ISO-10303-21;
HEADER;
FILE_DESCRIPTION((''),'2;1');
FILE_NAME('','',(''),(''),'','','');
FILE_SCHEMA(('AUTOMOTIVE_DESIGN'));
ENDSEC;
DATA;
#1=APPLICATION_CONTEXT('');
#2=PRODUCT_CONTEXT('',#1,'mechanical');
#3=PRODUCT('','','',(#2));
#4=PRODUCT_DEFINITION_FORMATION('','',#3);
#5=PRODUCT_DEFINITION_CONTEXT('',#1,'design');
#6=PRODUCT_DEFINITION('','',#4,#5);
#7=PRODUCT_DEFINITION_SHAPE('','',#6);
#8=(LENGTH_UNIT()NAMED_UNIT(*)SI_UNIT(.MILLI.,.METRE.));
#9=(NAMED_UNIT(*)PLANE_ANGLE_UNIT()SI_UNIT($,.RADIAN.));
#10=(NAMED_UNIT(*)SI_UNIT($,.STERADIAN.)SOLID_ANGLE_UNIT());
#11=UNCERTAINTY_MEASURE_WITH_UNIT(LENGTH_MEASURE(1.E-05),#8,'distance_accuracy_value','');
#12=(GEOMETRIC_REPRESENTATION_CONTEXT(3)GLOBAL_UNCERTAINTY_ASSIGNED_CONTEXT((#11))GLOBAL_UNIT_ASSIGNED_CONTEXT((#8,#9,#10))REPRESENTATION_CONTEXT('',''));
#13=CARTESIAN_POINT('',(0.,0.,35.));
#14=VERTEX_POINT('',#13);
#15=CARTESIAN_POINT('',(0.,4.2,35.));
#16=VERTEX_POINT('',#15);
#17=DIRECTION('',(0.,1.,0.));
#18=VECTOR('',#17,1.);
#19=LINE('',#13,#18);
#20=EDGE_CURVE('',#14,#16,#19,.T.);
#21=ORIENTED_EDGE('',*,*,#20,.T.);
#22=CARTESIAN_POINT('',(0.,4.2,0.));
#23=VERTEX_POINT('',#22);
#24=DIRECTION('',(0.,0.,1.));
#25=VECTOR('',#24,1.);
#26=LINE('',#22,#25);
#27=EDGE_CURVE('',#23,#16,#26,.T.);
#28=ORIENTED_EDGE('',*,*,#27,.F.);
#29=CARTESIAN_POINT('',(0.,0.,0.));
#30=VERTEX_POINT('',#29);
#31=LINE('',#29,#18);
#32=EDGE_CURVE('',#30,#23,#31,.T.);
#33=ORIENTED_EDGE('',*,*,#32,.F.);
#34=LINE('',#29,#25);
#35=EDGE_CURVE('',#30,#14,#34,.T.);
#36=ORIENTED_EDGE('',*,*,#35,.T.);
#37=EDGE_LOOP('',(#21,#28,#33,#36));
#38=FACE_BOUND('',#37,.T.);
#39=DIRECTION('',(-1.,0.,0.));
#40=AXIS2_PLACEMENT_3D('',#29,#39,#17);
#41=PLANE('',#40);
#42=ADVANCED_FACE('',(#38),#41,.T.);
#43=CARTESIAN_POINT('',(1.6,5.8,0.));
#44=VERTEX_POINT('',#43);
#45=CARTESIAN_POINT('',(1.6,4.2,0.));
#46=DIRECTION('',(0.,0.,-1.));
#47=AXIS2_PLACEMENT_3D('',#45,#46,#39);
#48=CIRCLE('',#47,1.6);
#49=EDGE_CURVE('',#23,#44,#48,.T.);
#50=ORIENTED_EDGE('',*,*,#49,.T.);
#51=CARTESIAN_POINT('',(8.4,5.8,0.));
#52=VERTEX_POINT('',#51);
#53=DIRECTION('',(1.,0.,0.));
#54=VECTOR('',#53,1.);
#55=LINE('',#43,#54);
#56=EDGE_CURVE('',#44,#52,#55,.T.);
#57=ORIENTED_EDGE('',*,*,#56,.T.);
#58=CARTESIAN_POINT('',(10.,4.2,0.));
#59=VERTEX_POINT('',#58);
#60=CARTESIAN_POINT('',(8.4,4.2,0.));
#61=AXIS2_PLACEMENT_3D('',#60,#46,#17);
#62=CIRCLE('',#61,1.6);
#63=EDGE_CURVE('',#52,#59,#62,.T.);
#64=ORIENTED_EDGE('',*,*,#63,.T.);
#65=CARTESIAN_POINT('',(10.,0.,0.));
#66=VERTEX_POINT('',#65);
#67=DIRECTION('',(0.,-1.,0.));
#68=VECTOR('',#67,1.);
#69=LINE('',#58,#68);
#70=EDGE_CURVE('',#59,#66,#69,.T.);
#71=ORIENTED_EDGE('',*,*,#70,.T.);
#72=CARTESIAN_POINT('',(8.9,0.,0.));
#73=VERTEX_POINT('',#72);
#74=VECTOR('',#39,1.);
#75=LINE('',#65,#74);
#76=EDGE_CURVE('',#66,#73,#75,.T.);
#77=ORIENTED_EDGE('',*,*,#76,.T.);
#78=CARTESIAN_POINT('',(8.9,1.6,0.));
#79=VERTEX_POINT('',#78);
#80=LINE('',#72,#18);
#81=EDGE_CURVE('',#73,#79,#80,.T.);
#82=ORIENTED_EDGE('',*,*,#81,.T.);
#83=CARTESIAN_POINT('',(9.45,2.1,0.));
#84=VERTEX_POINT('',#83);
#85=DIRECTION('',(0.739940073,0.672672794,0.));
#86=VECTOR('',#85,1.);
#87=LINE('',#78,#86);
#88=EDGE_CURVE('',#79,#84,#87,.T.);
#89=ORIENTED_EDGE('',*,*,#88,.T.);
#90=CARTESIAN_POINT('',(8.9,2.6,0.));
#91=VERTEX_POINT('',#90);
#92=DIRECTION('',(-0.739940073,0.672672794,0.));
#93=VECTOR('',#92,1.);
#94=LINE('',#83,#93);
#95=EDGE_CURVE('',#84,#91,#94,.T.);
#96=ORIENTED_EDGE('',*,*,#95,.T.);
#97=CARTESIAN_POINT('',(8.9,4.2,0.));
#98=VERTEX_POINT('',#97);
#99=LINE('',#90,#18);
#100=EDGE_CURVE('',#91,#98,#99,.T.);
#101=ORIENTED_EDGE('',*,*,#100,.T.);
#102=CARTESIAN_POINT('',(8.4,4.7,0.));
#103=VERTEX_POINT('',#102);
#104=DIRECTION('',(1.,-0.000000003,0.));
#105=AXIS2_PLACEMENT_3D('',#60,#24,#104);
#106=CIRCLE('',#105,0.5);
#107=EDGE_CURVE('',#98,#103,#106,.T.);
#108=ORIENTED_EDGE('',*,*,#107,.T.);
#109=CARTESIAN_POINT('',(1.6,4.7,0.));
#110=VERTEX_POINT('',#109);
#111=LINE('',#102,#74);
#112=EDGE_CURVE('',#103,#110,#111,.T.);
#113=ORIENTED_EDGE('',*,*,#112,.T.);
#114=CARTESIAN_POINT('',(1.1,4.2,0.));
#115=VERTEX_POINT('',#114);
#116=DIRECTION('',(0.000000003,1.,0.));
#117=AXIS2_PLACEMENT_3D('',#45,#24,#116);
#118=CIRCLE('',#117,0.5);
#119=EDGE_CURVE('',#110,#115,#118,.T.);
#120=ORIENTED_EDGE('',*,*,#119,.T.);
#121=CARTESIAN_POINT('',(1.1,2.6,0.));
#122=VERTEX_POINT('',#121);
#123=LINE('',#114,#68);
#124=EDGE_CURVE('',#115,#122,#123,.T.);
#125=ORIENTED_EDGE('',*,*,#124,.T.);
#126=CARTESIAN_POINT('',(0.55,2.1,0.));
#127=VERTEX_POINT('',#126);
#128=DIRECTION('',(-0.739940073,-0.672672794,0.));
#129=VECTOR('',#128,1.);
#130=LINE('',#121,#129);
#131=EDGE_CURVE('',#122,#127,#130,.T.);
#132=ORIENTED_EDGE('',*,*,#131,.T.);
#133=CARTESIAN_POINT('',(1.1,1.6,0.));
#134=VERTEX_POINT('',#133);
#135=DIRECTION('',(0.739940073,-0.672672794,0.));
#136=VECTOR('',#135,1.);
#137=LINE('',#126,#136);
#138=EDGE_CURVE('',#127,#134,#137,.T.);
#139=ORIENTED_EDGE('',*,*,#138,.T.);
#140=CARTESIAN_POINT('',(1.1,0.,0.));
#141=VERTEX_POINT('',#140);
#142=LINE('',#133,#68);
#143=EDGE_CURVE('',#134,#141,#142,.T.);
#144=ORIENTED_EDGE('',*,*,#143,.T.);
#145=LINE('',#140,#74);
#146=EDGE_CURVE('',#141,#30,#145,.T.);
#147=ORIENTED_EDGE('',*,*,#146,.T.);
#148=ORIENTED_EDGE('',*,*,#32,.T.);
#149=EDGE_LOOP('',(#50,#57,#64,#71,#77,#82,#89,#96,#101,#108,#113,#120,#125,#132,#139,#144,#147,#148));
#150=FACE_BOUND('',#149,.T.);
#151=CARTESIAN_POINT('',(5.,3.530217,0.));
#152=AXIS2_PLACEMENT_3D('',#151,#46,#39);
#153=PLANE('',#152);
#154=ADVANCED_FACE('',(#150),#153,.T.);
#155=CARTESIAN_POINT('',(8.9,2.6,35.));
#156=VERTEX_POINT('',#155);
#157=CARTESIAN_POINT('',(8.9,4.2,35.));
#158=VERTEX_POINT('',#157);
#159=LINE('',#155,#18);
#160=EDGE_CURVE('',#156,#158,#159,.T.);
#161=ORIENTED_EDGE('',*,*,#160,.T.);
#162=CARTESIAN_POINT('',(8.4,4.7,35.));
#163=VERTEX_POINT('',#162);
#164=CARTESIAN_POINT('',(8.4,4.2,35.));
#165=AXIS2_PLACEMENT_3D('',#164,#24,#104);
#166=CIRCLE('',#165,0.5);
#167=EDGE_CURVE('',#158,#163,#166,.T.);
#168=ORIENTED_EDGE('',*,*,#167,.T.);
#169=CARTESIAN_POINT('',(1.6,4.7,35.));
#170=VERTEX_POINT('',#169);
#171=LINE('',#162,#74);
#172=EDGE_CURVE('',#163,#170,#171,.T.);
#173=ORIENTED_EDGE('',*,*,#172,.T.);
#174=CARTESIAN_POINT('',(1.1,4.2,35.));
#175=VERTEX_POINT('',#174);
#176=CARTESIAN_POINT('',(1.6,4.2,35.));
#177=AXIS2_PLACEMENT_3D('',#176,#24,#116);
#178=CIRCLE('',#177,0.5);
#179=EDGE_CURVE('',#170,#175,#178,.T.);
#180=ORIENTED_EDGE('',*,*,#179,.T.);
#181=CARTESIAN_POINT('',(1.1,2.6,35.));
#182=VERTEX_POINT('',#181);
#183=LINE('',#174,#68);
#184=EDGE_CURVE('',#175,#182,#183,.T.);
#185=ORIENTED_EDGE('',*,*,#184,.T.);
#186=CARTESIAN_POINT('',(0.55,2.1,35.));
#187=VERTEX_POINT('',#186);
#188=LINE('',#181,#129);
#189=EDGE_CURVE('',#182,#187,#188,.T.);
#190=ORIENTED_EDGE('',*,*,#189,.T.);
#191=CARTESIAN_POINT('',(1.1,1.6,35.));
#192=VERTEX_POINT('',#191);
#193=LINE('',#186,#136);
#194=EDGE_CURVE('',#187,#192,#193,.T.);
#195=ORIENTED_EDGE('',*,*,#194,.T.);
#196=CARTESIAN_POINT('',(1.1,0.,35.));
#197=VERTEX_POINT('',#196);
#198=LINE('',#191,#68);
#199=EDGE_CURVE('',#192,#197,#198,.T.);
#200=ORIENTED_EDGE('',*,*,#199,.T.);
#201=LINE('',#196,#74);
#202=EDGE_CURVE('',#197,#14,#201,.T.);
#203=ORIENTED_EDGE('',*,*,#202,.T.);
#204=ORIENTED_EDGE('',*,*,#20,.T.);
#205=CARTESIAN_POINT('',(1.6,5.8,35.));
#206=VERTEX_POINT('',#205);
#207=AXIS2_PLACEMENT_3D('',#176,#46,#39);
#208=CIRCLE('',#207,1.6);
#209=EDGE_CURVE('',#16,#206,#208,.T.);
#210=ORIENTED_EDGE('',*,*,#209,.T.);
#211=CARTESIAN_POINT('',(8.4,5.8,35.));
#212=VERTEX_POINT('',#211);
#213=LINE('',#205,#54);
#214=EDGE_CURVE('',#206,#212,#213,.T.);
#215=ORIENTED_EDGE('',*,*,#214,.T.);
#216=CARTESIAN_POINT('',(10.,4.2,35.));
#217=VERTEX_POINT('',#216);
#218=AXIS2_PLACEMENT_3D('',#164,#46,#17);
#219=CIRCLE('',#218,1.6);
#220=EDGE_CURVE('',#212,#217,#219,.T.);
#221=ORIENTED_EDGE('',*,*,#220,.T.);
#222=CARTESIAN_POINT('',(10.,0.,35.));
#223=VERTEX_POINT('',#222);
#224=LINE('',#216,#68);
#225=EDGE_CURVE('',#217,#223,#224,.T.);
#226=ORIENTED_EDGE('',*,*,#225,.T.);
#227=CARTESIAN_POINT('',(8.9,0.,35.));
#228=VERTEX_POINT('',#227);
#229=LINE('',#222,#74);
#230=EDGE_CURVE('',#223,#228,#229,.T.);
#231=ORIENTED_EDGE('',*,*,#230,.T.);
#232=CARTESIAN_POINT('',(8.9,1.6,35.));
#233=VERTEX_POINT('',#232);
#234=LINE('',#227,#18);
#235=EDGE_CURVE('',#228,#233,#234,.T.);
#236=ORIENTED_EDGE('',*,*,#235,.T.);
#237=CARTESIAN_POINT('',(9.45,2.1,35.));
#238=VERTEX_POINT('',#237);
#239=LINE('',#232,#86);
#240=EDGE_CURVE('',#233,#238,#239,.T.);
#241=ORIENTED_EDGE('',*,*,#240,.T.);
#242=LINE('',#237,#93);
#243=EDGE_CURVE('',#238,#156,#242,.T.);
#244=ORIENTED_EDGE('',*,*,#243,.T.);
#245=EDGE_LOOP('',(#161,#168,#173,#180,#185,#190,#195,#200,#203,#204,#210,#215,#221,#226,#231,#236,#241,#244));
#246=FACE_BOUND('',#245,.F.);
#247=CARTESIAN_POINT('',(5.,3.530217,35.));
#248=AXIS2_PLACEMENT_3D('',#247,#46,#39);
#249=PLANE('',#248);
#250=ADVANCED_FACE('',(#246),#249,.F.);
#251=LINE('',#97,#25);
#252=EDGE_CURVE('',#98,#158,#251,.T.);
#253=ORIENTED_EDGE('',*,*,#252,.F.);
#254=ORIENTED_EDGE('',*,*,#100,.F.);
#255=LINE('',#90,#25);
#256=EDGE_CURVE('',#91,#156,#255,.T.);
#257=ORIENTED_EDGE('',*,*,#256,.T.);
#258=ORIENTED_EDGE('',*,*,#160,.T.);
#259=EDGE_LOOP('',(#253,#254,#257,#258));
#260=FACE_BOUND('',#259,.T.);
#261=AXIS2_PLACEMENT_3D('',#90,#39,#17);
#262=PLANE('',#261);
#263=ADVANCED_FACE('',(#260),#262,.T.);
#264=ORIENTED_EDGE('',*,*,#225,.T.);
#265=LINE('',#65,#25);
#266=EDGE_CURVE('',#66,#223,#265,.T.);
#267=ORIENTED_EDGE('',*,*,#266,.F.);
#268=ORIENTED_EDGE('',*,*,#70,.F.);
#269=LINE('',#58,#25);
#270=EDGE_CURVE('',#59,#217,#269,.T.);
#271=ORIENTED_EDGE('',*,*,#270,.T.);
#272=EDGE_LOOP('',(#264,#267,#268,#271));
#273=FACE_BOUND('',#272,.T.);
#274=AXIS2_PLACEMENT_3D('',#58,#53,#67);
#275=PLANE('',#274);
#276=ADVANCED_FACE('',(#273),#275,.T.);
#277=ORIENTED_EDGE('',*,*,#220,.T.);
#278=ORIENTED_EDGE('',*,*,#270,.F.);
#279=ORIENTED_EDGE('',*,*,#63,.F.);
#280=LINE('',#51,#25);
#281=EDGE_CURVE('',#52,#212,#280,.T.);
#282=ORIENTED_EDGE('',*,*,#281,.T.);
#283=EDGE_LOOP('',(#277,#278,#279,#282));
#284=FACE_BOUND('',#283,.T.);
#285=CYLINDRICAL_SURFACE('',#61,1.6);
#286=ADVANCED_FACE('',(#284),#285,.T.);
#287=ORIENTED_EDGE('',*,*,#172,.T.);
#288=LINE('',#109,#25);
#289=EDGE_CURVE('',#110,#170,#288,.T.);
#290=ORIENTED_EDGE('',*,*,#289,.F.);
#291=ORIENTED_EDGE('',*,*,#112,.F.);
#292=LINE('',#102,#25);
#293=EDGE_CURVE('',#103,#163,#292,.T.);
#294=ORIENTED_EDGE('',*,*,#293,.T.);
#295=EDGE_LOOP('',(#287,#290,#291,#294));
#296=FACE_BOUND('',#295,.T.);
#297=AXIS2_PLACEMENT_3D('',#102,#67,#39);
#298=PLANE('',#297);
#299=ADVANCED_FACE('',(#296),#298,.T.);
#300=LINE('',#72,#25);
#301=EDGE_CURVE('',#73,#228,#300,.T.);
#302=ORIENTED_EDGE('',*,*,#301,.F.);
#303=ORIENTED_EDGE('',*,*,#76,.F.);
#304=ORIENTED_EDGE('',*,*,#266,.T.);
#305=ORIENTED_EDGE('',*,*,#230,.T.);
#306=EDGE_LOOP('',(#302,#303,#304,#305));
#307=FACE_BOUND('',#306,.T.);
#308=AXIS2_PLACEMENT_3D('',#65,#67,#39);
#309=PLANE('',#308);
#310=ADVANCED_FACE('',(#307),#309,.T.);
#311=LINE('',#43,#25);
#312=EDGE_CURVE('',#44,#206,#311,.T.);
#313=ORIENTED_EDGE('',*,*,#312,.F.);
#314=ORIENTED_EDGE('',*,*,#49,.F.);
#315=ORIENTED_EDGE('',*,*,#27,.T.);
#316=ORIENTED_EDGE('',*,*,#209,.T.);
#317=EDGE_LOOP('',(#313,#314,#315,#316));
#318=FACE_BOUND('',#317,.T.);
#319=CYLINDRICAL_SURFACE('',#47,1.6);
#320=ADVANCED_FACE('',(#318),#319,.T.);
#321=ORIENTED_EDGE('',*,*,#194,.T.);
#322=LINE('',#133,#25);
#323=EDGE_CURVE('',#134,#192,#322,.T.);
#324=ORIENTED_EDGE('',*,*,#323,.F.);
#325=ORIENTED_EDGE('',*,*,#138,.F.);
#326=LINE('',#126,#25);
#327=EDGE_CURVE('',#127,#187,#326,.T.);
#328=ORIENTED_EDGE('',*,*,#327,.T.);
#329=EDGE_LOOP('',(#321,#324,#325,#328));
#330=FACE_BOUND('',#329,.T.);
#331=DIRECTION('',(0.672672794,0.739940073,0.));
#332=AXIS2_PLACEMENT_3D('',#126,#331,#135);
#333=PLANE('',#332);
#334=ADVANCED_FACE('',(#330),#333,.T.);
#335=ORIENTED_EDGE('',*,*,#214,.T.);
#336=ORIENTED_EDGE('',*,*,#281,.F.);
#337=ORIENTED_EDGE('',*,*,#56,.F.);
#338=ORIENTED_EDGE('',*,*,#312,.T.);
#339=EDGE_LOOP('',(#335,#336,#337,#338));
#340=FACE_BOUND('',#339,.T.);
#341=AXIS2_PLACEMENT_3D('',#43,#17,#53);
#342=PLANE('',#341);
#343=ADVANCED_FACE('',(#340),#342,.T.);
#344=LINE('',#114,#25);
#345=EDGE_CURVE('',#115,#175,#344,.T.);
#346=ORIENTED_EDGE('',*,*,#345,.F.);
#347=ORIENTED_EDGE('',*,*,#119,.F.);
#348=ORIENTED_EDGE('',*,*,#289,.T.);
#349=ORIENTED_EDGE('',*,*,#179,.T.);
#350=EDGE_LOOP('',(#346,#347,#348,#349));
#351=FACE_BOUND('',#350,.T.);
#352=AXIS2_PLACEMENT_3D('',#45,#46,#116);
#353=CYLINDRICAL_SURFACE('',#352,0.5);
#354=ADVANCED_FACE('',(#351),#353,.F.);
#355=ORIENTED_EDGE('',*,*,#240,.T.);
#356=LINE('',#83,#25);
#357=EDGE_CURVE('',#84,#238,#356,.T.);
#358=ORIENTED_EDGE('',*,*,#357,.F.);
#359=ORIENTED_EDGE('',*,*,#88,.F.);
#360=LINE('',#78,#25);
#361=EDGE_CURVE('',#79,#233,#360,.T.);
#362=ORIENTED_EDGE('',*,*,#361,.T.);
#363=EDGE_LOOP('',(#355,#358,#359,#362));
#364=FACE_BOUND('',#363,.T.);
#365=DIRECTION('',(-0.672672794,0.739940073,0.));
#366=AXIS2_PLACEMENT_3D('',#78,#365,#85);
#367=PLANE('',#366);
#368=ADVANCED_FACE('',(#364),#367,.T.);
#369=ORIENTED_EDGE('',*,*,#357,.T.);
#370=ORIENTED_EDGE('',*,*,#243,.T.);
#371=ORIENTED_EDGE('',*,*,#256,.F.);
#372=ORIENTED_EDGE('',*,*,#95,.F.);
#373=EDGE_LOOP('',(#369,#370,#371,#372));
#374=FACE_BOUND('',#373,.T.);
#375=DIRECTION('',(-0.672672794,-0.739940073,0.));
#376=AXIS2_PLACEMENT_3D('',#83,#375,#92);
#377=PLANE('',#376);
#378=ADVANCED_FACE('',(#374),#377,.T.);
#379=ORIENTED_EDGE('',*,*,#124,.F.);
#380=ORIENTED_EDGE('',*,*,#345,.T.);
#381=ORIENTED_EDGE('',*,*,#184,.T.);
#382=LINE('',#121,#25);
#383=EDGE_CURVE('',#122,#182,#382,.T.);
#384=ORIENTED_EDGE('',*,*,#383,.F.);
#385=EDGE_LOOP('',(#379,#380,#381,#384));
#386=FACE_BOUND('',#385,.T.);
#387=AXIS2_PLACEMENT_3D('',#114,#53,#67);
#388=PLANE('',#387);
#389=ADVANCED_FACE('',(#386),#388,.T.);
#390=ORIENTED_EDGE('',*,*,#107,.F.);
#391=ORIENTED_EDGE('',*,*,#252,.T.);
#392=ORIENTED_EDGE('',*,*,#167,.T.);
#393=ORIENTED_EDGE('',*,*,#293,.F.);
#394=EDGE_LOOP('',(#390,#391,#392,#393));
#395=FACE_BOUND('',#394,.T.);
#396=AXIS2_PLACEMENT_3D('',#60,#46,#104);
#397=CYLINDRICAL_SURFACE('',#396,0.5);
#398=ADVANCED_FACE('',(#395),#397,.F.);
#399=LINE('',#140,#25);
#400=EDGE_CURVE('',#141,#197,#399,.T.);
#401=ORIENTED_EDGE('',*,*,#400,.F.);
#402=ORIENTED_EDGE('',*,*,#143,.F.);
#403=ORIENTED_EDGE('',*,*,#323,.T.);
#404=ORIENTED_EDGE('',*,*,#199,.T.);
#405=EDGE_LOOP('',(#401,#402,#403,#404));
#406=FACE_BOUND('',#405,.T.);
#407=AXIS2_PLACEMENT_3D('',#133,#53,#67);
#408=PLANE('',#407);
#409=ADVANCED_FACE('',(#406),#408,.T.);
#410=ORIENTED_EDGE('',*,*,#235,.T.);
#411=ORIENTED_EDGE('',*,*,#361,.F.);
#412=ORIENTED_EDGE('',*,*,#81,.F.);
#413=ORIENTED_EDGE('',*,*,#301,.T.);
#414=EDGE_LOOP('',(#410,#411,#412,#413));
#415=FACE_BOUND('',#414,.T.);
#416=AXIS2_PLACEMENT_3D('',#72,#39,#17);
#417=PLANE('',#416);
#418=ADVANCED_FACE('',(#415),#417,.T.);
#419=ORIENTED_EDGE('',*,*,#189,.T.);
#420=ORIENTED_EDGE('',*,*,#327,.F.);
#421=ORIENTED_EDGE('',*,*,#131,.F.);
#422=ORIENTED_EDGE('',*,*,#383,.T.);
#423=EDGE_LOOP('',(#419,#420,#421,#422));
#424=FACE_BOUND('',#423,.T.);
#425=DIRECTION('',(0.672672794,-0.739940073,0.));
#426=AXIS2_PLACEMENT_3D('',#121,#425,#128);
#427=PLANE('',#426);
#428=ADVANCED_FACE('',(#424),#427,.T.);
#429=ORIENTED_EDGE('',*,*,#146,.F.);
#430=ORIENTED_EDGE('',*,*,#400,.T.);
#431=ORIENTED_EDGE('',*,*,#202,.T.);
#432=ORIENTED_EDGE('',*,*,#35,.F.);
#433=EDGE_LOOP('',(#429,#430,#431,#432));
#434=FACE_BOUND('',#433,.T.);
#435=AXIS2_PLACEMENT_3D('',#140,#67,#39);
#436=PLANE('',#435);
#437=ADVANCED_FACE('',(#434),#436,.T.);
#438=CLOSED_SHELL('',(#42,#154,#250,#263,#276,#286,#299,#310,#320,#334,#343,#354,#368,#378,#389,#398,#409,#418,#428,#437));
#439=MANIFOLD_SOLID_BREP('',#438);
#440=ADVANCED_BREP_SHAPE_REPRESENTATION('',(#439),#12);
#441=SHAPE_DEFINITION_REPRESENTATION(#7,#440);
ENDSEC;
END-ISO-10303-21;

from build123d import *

# Parameters (mm, degrees)
EXTRUSION1_DEPTH = 35


with BuildPart() as part:
    # Esquisse1 → Extrusion1 (new body)
    with BuildSketch(Plane.XY):
        with BuildLine():
            Line((1.6, 5.8), (8.4, 5.8))
            ThreePointArc((8.4, 5.8), (9.53137085, 5.33137085), (10, 4.2))
            Line((10, 4.2), (10, 0))
            Line((10, 0), (8.9, 0))
            Line((8.9, 0), (8.9, 1.6))
            Line((8.9, 1.6), (9.45, 2.1))
            Line((9.45, 2.1), (8.9, 2.6))
            Line((8.9, 2.6), (8.9, 4.2))
            ThreePointArc((8.9, 4.2), (8.753553391, 4.553553391), (8.4, 4.7))
            Line((8.4, 4.7), (1.6, 4.7))
            ThreePointArc((1.6, 4.7), (1.246446609, 4.553553391), (1.1, 4.2))
            Line((1.1, 4.2), (1.1, 2.6))
            Line((1.1, 2.6), (0.55, 2.1))
            Line((0.55, 2.1), (1.1, 1.6))
            Line((1.1, 1.6), (1.1, 0))
            Line((1.1, 0), (0, 0))
            Line((0, 0), (0, 4.2))
            ThreePointArc((0, 4.2), (0.46862915, 5.33137085), (1.6, 5.8))
        make_face()
    extrude(amount=EXTRUSION1_DEPTH)


solid = part.part
